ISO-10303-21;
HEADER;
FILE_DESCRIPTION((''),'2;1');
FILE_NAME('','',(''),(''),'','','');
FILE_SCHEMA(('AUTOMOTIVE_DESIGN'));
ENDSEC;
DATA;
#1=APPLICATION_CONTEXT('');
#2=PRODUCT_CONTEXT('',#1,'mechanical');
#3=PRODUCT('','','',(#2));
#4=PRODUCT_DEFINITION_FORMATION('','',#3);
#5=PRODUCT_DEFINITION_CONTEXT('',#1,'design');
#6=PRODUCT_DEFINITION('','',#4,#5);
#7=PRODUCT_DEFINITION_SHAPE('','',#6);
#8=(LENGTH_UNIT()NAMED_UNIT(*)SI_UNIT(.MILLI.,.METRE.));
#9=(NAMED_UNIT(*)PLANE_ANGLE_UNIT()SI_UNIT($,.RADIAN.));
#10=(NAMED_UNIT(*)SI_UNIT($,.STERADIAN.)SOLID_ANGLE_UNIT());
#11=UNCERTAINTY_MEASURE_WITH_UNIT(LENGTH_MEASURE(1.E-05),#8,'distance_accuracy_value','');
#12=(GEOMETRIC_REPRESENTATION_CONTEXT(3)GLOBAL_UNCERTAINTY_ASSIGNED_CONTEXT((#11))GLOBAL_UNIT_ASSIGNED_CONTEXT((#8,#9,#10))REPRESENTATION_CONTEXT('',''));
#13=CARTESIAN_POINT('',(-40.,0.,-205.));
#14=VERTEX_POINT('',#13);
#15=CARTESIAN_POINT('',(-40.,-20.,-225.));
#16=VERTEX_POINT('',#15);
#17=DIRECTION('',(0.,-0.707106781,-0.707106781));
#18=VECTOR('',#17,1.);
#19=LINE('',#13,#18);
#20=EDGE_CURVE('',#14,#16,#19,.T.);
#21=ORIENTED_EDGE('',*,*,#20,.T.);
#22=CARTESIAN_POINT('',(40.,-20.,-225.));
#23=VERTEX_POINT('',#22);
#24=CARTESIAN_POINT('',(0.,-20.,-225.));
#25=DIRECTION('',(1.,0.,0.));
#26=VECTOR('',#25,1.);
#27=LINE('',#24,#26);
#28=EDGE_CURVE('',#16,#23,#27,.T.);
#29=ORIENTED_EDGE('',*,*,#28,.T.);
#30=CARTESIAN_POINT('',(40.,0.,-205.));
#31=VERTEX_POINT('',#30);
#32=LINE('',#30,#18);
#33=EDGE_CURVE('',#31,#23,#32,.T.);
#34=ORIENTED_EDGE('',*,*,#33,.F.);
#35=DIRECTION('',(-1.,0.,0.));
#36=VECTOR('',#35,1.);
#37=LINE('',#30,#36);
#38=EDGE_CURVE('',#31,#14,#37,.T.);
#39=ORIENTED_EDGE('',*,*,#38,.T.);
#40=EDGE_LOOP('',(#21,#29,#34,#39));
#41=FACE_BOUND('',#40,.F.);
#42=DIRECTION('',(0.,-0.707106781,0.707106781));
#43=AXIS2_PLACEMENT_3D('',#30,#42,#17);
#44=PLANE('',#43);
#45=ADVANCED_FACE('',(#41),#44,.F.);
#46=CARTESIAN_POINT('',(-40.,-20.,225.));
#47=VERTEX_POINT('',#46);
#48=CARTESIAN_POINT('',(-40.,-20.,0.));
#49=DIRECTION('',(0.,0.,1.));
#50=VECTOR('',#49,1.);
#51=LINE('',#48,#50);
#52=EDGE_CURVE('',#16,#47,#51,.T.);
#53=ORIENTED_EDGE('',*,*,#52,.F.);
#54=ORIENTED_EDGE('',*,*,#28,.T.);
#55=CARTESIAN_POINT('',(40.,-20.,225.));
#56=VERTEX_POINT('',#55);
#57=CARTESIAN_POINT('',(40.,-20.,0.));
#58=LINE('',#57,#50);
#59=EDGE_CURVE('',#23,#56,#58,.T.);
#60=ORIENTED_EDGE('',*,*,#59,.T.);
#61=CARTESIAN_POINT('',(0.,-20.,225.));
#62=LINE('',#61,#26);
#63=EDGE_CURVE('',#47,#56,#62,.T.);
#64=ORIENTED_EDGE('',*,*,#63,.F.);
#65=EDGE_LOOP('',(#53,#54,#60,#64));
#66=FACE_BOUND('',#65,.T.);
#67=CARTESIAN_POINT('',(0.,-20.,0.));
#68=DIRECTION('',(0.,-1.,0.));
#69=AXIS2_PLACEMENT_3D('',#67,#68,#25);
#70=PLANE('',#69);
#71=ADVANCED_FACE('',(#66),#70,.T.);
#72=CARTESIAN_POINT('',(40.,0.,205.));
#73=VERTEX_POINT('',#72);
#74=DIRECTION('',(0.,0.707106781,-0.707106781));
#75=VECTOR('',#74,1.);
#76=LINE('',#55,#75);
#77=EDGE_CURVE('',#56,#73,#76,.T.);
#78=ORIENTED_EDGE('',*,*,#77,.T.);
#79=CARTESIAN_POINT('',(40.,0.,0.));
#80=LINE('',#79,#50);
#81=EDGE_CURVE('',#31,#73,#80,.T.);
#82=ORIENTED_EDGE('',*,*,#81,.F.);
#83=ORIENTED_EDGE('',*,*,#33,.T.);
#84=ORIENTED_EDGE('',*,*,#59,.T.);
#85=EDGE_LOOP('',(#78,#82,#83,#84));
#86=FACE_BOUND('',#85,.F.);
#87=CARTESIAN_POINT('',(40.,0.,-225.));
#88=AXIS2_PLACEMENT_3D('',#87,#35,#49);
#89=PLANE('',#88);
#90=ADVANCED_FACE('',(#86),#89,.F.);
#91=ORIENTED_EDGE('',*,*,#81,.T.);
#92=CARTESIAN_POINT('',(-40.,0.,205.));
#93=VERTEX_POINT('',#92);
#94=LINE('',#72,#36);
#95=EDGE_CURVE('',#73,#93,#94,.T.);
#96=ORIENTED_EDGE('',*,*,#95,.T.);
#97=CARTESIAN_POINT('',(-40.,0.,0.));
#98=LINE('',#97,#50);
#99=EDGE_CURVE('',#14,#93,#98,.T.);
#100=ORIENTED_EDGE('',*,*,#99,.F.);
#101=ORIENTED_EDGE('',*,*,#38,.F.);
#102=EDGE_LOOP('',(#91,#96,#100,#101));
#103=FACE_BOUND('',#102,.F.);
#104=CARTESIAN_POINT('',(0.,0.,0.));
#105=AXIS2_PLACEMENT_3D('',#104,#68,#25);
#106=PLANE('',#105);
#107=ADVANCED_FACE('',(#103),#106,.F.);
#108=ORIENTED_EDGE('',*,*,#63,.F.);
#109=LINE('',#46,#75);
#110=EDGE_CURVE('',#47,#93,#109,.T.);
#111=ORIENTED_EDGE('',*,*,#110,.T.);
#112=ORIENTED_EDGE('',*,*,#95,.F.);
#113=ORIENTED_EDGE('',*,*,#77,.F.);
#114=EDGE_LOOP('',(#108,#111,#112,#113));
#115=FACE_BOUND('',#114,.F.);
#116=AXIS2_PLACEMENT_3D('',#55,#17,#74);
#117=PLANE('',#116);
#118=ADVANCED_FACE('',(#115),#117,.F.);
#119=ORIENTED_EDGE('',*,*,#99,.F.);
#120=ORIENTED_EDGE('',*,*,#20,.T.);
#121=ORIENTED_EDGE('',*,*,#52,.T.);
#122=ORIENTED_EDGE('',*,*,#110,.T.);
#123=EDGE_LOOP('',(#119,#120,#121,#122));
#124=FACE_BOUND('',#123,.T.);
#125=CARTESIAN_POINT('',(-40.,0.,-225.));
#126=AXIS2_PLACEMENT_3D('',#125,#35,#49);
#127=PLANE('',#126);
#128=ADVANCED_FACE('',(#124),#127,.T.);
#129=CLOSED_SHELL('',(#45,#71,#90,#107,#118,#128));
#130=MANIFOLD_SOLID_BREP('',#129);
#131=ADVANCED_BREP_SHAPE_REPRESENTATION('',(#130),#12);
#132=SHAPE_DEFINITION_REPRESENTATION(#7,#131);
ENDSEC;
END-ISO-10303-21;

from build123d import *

# Parameters (mm, degrees)
F0_W     = 80
F0_H     = 450
F1_DEPTH = 20
F3_DEPTH = 80


with BuildPart() as f1:
    # F0 (on Front) → F1 (new body)
    with BuildSketch(Plane.XZ):
        Rectangle(F0_W, F0_H)
    extrude(amount=F1_DEPTH)

    # F2 (on face) → F3 (cut)
    with BuildSketch(Plane.YZ.offset(40)):
        Polygon((0, 225), (-20, 225), (0, 205), align=None)
        Polygon((0, -205), (-20, -225), (0, -225), align=None)
    extrude(amount=-F3_DEPTH, mode=Mode.SUBTRACT)


solid = f1.part
